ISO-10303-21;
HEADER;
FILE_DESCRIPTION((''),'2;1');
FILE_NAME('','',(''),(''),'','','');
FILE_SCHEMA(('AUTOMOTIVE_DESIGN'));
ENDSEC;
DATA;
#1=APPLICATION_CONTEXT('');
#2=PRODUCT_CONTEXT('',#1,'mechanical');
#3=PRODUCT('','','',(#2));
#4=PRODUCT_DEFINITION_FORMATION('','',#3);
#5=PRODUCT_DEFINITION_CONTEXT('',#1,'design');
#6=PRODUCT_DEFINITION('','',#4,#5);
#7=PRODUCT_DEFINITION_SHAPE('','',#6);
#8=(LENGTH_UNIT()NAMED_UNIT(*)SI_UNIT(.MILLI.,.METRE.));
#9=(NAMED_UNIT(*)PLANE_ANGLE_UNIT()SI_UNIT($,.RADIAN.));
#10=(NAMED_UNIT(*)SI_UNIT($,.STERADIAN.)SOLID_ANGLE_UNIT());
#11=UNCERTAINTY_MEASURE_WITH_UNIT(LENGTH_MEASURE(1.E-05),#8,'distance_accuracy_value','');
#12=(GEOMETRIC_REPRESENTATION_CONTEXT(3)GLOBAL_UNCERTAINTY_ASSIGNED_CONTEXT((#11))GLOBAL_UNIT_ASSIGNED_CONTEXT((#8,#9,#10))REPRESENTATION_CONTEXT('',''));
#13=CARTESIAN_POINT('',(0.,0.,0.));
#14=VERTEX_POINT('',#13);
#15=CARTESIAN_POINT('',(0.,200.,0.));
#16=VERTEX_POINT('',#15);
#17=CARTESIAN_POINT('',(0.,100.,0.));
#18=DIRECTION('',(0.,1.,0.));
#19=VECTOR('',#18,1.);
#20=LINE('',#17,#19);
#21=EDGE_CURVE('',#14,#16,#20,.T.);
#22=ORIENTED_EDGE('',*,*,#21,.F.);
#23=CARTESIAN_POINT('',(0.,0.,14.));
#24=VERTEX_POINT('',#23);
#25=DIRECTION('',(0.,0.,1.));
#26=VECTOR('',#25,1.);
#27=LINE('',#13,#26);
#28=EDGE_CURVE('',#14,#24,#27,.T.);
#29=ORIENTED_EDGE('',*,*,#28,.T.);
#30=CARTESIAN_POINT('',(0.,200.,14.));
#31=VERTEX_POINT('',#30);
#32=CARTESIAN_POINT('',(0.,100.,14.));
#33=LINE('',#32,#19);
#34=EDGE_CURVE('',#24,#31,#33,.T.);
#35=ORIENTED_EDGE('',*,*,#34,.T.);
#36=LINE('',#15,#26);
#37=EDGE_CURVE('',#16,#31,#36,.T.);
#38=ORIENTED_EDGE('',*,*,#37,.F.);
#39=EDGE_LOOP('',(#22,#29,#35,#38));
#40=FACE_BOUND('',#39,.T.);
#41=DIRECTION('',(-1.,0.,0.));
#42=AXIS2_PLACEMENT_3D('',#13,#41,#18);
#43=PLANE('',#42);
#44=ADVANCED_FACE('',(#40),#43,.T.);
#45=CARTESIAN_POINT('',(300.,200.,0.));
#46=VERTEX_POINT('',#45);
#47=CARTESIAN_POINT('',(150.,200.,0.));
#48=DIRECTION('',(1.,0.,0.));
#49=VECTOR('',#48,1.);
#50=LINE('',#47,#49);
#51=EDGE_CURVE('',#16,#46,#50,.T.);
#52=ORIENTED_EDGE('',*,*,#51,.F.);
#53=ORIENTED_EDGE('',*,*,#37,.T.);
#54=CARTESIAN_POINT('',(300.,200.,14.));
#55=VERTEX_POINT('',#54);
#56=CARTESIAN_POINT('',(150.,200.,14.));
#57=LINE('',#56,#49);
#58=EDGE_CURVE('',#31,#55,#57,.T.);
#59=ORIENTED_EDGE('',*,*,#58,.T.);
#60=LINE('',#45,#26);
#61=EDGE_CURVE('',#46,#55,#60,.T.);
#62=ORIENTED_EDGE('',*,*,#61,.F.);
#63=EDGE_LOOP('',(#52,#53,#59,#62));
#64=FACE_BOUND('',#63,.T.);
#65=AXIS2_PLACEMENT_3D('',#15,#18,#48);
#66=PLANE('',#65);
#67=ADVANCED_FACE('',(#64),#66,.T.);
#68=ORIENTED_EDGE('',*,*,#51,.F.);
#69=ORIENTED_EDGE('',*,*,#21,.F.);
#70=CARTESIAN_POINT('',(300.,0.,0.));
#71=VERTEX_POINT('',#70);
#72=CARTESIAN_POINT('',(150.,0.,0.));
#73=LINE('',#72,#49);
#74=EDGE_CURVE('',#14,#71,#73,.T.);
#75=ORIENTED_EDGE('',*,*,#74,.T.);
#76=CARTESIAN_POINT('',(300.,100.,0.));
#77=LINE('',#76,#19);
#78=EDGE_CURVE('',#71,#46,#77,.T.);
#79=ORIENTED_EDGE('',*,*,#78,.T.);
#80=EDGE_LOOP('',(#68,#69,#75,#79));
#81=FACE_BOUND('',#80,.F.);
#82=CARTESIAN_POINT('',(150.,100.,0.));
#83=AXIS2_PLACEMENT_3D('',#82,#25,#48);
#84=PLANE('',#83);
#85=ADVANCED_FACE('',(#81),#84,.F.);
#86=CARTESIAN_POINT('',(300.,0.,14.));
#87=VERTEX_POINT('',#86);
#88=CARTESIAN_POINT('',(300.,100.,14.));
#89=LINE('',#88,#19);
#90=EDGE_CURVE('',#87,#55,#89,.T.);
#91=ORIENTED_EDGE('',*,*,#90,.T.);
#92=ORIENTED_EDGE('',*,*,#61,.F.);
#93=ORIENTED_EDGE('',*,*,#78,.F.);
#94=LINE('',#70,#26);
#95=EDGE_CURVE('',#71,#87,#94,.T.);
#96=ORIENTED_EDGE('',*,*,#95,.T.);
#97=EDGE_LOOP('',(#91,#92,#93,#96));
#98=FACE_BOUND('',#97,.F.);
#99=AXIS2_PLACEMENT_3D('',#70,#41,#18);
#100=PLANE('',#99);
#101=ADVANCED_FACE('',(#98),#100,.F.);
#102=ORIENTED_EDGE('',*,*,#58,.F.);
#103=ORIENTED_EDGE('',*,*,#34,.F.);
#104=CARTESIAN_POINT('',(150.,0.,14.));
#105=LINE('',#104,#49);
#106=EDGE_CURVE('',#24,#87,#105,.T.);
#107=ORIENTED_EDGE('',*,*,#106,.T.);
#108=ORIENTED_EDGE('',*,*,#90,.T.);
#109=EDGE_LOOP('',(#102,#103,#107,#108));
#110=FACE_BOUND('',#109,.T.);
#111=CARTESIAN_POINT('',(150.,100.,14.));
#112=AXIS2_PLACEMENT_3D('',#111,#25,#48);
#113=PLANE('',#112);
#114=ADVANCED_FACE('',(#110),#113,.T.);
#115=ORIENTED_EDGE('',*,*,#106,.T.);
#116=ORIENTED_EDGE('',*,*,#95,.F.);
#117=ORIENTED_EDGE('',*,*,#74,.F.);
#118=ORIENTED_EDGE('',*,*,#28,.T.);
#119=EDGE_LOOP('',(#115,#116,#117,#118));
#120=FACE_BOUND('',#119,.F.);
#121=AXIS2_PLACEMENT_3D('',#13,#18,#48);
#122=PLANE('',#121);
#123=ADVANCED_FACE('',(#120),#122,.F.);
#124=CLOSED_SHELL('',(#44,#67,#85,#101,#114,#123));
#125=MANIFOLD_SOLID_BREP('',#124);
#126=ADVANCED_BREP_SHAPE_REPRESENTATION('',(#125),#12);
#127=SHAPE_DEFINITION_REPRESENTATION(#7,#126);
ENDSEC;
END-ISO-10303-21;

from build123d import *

# Parameters (mm, degrees)
SKETCH_W  = 300
SKETCH_H  = 200
PAD_DEPTH = 14


with BuildPart() as part:
    # Sketch → Pad (new body)
    with BuildSketch(Plane.XY):
        with Locations((150, 100)):
            Rectangle(SKETCH_W, SKETCH_H)
    extrude(amount=PAD_DEPTH)


solid = part.part
